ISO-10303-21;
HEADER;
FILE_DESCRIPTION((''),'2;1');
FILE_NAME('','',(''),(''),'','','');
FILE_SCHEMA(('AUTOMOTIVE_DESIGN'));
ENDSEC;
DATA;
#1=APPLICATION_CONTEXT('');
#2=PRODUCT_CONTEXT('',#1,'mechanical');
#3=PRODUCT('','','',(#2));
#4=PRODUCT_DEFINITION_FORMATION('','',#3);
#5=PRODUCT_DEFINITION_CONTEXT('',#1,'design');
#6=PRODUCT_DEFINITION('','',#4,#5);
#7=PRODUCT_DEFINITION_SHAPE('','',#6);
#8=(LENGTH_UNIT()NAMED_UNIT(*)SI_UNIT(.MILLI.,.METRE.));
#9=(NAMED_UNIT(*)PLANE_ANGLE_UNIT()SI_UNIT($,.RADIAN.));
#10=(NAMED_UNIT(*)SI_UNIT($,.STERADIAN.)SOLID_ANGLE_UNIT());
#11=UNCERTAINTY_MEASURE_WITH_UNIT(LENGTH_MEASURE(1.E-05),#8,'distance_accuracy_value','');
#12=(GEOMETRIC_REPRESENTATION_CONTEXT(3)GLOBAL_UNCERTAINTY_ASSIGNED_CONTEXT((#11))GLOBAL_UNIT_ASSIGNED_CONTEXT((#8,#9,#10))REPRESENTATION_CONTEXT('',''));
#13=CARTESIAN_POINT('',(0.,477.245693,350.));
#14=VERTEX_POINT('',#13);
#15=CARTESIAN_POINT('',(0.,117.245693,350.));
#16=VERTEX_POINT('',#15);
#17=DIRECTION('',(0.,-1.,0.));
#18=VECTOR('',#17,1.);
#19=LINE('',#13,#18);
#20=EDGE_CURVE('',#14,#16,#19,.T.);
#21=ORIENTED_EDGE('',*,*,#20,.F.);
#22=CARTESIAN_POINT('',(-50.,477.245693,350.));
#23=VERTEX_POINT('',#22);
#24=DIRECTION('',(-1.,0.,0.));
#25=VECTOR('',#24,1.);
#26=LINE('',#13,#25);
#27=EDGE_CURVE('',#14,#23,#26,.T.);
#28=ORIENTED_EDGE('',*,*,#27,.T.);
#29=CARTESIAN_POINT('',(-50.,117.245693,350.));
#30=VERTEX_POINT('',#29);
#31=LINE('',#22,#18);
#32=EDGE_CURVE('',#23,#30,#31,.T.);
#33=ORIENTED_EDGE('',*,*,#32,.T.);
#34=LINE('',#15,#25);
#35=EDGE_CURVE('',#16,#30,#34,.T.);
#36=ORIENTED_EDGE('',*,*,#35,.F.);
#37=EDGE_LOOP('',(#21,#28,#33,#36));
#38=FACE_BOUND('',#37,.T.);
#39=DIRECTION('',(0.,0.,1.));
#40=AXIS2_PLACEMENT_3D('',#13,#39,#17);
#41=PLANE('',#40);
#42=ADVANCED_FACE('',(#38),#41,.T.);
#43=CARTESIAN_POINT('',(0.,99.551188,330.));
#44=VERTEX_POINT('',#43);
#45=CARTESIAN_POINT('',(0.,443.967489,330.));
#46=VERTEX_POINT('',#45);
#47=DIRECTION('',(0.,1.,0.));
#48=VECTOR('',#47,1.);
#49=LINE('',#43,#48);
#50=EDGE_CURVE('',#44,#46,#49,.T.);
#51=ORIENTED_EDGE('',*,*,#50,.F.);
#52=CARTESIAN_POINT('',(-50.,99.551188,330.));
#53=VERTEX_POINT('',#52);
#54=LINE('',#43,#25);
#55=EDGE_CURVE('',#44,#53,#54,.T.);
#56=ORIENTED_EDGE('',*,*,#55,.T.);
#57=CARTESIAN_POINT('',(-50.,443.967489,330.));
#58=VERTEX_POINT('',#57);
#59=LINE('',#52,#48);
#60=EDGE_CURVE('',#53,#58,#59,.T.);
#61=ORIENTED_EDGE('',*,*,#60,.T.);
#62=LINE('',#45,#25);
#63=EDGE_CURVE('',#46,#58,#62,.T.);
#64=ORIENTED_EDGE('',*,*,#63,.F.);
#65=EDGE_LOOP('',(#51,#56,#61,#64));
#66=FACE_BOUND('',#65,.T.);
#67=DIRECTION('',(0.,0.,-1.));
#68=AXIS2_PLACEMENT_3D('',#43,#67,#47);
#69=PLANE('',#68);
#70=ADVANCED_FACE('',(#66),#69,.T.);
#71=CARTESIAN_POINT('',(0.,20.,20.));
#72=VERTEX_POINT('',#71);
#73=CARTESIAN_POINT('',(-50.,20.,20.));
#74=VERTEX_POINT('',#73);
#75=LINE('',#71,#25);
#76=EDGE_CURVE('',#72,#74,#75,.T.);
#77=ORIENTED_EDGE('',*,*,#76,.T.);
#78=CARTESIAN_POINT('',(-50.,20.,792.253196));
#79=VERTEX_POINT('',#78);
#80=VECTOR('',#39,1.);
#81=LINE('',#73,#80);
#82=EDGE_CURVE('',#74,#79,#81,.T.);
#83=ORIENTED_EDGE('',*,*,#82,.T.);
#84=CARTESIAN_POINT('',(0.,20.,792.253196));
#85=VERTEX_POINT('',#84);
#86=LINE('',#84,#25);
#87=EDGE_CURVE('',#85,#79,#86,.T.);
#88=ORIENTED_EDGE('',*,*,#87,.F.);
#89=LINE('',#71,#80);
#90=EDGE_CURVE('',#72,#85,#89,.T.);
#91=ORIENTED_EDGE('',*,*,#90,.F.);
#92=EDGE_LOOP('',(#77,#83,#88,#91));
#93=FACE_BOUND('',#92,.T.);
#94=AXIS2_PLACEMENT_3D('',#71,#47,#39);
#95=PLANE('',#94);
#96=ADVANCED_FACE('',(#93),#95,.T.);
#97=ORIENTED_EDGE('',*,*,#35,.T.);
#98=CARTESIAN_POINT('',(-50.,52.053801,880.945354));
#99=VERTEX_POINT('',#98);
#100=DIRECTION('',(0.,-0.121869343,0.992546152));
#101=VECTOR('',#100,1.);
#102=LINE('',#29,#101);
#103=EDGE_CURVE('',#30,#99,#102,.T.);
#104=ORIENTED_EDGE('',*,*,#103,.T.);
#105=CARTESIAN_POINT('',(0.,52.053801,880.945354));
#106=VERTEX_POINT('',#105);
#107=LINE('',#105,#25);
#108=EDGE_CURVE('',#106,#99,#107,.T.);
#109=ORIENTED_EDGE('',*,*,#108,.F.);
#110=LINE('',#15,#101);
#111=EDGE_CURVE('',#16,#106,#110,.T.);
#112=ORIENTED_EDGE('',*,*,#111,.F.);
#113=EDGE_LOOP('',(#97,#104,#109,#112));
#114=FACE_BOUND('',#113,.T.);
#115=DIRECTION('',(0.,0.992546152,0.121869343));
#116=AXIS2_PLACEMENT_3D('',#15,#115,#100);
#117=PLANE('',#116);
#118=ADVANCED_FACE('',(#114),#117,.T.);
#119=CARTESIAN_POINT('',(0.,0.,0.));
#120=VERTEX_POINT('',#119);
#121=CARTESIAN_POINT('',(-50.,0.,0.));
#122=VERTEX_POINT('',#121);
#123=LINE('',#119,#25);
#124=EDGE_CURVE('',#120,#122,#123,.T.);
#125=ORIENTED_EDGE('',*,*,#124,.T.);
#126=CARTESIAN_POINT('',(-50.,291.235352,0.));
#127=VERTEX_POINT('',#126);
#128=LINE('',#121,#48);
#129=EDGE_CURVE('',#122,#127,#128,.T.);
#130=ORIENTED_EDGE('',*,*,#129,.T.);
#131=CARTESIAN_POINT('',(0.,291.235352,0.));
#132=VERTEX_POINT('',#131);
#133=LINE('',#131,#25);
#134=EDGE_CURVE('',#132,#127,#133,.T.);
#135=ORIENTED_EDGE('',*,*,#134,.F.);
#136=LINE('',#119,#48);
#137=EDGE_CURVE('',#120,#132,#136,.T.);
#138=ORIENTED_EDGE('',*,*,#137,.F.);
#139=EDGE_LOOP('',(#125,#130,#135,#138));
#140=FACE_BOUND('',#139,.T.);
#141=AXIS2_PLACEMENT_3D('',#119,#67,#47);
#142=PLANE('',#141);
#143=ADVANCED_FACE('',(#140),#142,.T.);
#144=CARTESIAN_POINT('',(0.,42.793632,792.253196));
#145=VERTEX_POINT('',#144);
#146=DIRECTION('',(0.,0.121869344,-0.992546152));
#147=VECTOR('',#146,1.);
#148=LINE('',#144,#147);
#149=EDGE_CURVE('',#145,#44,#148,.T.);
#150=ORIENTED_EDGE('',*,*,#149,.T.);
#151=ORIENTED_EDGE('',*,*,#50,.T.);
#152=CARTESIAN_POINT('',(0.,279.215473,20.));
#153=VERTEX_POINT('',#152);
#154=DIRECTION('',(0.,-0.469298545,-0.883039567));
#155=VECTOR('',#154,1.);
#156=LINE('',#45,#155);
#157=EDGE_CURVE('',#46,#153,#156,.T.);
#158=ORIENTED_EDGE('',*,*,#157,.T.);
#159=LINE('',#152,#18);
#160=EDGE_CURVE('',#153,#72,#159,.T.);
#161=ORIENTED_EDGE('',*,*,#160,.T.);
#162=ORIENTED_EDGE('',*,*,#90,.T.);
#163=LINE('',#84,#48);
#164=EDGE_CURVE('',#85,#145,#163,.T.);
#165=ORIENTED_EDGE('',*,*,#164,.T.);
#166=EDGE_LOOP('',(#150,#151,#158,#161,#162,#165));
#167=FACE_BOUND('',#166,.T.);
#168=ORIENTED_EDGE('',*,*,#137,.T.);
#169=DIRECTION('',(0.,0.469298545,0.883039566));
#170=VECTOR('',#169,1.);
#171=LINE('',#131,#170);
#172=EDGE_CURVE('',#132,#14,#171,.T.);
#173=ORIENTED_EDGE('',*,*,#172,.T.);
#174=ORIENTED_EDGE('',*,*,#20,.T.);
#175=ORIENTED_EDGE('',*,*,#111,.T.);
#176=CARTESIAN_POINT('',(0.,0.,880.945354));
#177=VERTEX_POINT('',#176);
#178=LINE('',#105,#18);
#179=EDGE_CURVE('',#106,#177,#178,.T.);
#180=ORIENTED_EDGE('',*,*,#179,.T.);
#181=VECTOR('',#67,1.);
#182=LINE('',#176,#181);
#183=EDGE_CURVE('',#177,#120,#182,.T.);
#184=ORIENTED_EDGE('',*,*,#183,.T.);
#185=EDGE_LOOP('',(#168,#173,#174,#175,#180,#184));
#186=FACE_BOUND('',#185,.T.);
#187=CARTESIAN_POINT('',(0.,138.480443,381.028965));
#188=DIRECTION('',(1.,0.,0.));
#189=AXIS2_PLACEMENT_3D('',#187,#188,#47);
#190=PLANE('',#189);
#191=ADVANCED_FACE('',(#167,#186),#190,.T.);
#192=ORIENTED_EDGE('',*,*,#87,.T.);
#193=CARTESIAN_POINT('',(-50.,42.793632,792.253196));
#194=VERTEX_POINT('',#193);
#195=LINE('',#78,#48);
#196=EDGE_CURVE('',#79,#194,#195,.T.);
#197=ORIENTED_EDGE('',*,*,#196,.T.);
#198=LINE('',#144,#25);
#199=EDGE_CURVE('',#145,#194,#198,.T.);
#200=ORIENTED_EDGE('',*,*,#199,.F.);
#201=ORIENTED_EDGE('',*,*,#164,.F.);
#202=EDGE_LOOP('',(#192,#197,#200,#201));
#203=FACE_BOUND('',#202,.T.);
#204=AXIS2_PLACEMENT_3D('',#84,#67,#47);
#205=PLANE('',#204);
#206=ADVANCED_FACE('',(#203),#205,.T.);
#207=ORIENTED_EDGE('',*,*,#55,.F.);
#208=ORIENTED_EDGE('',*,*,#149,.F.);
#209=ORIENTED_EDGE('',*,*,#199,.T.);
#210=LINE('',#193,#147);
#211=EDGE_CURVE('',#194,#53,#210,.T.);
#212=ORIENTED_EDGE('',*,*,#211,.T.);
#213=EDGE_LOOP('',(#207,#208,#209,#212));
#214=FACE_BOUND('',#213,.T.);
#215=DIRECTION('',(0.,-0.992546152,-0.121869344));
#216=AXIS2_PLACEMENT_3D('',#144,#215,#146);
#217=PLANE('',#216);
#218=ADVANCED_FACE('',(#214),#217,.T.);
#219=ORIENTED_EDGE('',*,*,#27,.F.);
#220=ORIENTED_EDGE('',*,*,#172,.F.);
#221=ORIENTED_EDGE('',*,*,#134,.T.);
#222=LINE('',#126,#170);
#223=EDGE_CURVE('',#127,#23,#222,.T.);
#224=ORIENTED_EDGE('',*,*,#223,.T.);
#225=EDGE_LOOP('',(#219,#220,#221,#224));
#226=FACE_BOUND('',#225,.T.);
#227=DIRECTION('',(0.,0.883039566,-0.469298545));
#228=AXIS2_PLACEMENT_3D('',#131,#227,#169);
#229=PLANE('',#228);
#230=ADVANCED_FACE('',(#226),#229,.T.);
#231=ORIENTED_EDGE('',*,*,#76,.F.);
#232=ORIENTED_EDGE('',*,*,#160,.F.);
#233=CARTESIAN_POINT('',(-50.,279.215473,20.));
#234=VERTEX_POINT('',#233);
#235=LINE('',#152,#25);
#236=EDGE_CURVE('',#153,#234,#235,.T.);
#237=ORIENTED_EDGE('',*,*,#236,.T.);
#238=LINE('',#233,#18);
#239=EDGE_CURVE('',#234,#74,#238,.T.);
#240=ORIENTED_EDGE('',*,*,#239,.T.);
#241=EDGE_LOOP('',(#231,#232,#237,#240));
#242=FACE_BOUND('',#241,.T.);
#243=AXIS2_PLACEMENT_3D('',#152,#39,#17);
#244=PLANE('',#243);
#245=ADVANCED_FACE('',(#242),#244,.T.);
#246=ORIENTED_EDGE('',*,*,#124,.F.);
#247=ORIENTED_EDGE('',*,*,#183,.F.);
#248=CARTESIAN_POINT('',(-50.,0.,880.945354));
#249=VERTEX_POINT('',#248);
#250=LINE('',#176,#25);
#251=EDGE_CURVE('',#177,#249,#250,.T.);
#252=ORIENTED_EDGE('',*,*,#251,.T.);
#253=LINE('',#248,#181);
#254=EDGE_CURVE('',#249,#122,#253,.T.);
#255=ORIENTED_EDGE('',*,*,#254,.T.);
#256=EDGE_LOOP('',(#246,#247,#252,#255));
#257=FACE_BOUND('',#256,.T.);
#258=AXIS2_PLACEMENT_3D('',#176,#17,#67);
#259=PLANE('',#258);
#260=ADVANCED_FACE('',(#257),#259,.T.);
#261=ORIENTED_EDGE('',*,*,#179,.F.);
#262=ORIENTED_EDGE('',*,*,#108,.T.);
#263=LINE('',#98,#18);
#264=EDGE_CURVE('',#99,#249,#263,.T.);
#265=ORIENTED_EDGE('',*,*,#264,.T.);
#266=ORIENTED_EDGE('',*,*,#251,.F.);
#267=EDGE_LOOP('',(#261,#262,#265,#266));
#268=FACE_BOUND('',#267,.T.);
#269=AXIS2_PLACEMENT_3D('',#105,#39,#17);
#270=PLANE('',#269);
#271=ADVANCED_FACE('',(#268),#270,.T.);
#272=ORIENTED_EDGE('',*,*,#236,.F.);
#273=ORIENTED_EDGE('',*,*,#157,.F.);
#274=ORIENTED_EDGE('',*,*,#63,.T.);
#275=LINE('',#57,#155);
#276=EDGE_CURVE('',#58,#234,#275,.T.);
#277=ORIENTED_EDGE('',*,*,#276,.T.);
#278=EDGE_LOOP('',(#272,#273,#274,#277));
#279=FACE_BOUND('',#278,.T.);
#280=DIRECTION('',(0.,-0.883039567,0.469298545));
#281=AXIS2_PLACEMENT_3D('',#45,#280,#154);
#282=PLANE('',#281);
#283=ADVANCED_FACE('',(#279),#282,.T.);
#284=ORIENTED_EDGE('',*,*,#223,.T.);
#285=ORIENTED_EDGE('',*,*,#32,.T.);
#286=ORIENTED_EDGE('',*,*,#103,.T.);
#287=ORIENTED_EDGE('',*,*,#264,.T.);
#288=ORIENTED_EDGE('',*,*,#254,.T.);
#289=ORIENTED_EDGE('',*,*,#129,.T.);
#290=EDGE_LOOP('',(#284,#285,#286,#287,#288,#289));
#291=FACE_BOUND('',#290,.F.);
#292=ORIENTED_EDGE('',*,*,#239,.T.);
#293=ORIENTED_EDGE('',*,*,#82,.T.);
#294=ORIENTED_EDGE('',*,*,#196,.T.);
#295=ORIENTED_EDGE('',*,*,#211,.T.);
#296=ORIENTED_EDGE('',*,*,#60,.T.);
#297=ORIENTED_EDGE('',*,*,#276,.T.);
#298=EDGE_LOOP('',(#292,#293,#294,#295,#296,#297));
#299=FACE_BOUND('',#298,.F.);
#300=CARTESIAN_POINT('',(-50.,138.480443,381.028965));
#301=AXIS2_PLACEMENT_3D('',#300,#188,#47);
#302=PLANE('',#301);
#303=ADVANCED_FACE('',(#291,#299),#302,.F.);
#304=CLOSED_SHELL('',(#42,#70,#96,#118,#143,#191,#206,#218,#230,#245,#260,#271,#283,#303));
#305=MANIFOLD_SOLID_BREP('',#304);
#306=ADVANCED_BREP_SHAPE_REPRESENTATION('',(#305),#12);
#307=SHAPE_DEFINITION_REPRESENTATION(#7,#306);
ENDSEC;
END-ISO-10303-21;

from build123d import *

# Parameters (mm, degrees)
F1_DEPTH = 50


with BuildPart() as f1:
    # F0 (on Right) → F1 (new body)
    with BuildSketch(Plane.YZ):
        Polygon((291.235352, 0), (477.245693, 350), (117.245693, 350), (52.053801, 880.945354), (0, 880.945354), (0, 0), align=None)
        Polygon((279.215473, 20), (20, 20), (20, 792.253196), (42.793632, 792.253196), (99.551188, 330), (443.967489, 330), align=None, mode=Mode.SUBTRACT)
    extrude(amount=-F1_DEPTH)


solid = f1.part
